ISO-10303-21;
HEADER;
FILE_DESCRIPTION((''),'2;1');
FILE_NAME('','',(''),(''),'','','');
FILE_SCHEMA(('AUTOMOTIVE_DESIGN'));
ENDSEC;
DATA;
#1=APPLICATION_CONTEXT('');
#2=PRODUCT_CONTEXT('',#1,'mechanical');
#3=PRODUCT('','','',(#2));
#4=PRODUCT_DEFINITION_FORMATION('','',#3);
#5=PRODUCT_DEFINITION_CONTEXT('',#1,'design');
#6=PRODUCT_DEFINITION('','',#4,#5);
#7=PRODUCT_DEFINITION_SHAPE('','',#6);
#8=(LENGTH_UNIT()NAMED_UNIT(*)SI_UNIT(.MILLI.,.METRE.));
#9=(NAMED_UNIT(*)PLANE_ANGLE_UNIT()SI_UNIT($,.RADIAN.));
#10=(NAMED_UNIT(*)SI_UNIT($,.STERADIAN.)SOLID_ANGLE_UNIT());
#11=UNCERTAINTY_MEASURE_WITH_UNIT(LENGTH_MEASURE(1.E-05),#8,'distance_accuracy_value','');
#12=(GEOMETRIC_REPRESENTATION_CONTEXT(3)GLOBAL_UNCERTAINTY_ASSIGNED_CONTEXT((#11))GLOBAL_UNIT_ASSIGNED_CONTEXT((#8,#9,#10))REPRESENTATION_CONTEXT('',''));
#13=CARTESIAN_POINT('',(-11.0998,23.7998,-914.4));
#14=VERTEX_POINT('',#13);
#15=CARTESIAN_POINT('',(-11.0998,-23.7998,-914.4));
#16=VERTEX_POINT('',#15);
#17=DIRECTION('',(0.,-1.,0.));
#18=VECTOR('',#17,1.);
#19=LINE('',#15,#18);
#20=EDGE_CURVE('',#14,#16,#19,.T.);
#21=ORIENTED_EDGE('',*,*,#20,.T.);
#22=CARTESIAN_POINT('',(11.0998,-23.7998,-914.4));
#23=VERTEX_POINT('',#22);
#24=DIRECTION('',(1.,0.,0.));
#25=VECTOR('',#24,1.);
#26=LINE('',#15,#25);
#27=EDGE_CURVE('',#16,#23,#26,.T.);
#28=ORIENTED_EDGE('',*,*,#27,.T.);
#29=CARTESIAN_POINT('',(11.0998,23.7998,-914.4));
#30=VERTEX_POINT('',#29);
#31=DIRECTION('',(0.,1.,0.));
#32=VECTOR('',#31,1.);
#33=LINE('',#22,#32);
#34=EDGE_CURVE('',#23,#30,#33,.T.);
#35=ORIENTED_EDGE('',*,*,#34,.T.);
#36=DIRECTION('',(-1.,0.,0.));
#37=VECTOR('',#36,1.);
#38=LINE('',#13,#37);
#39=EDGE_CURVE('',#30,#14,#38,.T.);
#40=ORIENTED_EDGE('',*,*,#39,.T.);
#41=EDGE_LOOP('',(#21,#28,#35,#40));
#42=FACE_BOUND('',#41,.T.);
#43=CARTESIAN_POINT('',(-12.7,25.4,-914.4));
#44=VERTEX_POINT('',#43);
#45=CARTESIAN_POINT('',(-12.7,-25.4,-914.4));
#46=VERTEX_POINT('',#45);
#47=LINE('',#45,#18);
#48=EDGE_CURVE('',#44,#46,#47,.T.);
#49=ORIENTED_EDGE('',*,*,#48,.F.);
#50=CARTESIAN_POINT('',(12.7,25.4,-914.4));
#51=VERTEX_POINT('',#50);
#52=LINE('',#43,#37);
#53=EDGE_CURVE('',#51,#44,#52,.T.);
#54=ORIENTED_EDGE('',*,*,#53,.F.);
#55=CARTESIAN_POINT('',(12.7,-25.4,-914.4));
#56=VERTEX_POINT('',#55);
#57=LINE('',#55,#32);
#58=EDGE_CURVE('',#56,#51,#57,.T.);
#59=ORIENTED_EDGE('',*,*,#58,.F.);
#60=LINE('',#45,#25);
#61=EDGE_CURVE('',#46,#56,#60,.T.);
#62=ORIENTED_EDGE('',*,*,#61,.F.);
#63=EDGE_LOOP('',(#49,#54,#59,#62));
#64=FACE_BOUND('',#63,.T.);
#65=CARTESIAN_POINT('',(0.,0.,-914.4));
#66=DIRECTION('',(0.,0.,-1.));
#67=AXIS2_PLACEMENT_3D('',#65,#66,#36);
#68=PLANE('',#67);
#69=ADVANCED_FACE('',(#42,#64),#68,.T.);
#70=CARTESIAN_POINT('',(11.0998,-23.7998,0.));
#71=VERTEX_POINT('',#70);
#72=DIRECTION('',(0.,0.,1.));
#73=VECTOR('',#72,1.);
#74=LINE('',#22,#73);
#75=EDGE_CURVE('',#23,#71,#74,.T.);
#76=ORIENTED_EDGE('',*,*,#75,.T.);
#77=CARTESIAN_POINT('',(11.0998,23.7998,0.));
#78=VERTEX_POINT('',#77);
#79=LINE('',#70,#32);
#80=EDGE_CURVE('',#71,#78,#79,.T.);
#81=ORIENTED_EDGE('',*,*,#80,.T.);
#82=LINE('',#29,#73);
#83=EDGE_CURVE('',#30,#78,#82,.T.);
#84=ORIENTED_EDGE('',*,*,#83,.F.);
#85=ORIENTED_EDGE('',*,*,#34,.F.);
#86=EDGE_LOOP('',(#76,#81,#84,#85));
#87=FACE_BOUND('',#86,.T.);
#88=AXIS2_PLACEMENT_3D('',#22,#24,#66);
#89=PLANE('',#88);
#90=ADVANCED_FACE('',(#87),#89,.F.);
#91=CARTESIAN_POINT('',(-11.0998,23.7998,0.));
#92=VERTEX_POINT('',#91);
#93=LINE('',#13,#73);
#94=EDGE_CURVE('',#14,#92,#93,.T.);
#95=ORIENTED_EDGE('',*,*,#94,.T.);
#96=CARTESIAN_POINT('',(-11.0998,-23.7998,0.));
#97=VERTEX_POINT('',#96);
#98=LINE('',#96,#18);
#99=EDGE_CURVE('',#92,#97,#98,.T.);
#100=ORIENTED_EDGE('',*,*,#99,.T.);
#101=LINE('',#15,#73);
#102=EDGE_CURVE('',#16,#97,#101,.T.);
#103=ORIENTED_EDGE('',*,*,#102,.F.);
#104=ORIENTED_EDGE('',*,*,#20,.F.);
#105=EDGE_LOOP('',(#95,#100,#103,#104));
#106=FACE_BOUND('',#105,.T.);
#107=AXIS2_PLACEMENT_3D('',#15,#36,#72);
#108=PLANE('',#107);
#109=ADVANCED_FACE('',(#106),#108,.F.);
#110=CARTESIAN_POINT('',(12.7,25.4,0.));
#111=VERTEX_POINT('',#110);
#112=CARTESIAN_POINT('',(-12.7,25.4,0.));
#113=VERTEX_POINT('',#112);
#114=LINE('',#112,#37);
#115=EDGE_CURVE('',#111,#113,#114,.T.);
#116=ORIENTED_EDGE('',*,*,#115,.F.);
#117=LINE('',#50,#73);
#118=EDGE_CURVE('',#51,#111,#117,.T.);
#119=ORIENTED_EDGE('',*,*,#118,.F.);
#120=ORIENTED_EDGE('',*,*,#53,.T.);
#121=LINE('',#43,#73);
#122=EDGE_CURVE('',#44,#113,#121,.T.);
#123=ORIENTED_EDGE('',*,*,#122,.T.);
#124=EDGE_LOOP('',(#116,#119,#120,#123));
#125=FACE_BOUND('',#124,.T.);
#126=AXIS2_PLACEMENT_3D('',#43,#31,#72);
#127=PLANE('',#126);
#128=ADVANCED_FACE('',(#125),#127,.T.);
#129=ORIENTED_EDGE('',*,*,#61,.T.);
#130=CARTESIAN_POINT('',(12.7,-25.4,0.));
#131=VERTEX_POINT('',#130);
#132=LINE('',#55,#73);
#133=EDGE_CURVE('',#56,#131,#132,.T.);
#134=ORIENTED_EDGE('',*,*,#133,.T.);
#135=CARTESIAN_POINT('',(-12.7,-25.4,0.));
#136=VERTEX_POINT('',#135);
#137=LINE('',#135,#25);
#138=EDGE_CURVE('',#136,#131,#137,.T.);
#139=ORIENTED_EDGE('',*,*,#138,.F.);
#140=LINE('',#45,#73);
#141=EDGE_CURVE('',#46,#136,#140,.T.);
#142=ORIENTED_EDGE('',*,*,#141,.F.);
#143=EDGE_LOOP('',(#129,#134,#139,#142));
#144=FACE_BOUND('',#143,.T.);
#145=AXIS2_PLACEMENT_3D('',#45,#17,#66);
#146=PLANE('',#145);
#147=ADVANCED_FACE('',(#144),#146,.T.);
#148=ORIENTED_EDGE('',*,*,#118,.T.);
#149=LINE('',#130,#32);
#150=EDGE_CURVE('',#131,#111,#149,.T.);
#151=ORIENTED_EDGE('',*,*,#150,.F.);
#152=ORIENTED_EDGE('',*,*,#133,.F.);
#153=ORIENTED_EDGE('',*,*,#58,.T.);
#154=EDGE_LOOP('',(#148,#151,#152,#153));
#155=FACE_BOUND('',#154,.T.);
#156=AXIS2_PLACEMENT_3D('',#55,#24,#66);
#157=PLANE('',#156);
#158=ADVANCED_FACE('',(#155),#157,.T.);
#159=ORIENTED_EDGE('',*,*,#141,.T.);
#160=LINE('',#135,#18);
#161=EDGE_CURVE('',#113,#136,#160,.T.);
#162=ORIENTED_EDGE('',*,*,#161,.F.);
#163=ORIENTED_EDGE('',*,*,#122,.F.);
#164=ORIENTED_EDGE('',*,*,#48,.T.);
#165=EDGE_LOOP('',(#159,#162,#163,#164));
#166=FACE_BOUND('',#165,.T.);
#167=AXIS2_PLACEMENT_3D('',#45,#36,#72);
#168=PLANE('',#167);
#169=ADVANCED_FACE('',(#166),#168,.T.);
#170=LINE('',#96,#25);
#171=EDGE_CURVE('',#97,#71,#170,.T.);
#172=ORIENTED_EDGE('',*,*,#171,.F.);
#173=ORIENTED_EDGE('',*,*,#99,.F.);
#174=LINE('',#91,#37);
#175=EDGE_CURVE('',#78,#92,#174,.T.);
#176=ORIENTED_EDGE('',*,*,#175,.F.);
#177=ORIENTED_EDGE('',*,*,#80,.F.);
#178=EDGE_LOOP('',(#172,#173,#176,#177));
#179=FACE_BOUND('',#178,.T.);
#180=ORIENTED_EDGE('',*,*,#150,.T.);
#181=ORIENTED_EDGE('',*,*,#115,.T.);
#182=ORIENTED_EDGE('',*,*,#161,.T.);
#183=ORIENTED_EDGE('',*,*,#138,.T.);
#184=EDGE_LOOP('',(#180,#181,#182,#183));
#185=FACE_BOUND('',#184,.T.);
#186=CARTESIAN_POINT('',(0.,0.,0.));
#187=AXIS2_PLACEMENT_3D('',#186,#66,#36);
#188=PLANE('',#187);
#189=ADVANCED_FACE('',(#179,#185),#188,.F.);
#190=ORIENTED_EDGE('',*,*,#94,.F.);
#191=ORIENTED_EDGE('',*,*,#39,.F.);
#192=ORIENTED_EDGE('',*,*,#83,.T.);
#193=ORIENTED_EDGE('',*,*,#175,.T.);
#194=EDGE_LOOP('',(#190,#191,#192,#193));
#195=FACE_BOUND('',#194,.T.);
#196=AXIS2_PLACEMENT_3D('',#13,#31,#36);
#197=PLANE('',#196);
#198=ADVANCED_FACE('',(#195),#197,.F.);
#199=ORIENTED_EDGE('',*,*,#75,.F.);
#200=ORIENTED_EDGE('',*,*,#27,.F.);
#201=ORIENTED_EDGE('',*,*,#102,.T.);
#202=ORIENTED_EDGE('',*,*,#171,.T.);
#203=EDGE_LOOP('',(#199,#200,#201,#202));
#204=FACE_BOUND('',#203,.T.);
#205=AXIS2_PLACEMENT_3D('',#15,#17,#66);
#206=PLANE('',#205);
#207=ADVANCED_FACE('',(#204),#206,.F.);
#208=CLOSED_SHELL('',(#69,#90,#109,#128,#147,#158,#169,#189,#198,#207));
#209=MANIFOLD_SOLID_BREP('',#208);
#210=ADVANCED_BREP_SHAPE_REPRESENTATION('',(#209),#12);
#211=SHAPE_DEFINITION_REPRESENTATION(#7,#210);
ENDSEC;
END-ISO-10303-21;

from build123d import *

# Parameters (mm, degrees)
SKETCH1_W           = 25.4
SKETCH1_H           = 50.8
SKETCH1_W_2         = 22.1996
SKETCH1_H_2         = 47.5996
BOSS_EXTRUDE1_DEPTH = 914.4


with BuildPart() as part:
    # Sketch1 → Boss-Extrude1 (new body)
    with BuildSketch(Plane.XY):
        Rectangle(SKETCH1_W, SKETCH1_H)
        Rectangle(SKETCH1_W_2, SKETCH1_H_2, mode=Mode.SUBTRACT)
    extrude(amount=-BOSS_EXTRUDE1_DEPTH)


solid = part.part
